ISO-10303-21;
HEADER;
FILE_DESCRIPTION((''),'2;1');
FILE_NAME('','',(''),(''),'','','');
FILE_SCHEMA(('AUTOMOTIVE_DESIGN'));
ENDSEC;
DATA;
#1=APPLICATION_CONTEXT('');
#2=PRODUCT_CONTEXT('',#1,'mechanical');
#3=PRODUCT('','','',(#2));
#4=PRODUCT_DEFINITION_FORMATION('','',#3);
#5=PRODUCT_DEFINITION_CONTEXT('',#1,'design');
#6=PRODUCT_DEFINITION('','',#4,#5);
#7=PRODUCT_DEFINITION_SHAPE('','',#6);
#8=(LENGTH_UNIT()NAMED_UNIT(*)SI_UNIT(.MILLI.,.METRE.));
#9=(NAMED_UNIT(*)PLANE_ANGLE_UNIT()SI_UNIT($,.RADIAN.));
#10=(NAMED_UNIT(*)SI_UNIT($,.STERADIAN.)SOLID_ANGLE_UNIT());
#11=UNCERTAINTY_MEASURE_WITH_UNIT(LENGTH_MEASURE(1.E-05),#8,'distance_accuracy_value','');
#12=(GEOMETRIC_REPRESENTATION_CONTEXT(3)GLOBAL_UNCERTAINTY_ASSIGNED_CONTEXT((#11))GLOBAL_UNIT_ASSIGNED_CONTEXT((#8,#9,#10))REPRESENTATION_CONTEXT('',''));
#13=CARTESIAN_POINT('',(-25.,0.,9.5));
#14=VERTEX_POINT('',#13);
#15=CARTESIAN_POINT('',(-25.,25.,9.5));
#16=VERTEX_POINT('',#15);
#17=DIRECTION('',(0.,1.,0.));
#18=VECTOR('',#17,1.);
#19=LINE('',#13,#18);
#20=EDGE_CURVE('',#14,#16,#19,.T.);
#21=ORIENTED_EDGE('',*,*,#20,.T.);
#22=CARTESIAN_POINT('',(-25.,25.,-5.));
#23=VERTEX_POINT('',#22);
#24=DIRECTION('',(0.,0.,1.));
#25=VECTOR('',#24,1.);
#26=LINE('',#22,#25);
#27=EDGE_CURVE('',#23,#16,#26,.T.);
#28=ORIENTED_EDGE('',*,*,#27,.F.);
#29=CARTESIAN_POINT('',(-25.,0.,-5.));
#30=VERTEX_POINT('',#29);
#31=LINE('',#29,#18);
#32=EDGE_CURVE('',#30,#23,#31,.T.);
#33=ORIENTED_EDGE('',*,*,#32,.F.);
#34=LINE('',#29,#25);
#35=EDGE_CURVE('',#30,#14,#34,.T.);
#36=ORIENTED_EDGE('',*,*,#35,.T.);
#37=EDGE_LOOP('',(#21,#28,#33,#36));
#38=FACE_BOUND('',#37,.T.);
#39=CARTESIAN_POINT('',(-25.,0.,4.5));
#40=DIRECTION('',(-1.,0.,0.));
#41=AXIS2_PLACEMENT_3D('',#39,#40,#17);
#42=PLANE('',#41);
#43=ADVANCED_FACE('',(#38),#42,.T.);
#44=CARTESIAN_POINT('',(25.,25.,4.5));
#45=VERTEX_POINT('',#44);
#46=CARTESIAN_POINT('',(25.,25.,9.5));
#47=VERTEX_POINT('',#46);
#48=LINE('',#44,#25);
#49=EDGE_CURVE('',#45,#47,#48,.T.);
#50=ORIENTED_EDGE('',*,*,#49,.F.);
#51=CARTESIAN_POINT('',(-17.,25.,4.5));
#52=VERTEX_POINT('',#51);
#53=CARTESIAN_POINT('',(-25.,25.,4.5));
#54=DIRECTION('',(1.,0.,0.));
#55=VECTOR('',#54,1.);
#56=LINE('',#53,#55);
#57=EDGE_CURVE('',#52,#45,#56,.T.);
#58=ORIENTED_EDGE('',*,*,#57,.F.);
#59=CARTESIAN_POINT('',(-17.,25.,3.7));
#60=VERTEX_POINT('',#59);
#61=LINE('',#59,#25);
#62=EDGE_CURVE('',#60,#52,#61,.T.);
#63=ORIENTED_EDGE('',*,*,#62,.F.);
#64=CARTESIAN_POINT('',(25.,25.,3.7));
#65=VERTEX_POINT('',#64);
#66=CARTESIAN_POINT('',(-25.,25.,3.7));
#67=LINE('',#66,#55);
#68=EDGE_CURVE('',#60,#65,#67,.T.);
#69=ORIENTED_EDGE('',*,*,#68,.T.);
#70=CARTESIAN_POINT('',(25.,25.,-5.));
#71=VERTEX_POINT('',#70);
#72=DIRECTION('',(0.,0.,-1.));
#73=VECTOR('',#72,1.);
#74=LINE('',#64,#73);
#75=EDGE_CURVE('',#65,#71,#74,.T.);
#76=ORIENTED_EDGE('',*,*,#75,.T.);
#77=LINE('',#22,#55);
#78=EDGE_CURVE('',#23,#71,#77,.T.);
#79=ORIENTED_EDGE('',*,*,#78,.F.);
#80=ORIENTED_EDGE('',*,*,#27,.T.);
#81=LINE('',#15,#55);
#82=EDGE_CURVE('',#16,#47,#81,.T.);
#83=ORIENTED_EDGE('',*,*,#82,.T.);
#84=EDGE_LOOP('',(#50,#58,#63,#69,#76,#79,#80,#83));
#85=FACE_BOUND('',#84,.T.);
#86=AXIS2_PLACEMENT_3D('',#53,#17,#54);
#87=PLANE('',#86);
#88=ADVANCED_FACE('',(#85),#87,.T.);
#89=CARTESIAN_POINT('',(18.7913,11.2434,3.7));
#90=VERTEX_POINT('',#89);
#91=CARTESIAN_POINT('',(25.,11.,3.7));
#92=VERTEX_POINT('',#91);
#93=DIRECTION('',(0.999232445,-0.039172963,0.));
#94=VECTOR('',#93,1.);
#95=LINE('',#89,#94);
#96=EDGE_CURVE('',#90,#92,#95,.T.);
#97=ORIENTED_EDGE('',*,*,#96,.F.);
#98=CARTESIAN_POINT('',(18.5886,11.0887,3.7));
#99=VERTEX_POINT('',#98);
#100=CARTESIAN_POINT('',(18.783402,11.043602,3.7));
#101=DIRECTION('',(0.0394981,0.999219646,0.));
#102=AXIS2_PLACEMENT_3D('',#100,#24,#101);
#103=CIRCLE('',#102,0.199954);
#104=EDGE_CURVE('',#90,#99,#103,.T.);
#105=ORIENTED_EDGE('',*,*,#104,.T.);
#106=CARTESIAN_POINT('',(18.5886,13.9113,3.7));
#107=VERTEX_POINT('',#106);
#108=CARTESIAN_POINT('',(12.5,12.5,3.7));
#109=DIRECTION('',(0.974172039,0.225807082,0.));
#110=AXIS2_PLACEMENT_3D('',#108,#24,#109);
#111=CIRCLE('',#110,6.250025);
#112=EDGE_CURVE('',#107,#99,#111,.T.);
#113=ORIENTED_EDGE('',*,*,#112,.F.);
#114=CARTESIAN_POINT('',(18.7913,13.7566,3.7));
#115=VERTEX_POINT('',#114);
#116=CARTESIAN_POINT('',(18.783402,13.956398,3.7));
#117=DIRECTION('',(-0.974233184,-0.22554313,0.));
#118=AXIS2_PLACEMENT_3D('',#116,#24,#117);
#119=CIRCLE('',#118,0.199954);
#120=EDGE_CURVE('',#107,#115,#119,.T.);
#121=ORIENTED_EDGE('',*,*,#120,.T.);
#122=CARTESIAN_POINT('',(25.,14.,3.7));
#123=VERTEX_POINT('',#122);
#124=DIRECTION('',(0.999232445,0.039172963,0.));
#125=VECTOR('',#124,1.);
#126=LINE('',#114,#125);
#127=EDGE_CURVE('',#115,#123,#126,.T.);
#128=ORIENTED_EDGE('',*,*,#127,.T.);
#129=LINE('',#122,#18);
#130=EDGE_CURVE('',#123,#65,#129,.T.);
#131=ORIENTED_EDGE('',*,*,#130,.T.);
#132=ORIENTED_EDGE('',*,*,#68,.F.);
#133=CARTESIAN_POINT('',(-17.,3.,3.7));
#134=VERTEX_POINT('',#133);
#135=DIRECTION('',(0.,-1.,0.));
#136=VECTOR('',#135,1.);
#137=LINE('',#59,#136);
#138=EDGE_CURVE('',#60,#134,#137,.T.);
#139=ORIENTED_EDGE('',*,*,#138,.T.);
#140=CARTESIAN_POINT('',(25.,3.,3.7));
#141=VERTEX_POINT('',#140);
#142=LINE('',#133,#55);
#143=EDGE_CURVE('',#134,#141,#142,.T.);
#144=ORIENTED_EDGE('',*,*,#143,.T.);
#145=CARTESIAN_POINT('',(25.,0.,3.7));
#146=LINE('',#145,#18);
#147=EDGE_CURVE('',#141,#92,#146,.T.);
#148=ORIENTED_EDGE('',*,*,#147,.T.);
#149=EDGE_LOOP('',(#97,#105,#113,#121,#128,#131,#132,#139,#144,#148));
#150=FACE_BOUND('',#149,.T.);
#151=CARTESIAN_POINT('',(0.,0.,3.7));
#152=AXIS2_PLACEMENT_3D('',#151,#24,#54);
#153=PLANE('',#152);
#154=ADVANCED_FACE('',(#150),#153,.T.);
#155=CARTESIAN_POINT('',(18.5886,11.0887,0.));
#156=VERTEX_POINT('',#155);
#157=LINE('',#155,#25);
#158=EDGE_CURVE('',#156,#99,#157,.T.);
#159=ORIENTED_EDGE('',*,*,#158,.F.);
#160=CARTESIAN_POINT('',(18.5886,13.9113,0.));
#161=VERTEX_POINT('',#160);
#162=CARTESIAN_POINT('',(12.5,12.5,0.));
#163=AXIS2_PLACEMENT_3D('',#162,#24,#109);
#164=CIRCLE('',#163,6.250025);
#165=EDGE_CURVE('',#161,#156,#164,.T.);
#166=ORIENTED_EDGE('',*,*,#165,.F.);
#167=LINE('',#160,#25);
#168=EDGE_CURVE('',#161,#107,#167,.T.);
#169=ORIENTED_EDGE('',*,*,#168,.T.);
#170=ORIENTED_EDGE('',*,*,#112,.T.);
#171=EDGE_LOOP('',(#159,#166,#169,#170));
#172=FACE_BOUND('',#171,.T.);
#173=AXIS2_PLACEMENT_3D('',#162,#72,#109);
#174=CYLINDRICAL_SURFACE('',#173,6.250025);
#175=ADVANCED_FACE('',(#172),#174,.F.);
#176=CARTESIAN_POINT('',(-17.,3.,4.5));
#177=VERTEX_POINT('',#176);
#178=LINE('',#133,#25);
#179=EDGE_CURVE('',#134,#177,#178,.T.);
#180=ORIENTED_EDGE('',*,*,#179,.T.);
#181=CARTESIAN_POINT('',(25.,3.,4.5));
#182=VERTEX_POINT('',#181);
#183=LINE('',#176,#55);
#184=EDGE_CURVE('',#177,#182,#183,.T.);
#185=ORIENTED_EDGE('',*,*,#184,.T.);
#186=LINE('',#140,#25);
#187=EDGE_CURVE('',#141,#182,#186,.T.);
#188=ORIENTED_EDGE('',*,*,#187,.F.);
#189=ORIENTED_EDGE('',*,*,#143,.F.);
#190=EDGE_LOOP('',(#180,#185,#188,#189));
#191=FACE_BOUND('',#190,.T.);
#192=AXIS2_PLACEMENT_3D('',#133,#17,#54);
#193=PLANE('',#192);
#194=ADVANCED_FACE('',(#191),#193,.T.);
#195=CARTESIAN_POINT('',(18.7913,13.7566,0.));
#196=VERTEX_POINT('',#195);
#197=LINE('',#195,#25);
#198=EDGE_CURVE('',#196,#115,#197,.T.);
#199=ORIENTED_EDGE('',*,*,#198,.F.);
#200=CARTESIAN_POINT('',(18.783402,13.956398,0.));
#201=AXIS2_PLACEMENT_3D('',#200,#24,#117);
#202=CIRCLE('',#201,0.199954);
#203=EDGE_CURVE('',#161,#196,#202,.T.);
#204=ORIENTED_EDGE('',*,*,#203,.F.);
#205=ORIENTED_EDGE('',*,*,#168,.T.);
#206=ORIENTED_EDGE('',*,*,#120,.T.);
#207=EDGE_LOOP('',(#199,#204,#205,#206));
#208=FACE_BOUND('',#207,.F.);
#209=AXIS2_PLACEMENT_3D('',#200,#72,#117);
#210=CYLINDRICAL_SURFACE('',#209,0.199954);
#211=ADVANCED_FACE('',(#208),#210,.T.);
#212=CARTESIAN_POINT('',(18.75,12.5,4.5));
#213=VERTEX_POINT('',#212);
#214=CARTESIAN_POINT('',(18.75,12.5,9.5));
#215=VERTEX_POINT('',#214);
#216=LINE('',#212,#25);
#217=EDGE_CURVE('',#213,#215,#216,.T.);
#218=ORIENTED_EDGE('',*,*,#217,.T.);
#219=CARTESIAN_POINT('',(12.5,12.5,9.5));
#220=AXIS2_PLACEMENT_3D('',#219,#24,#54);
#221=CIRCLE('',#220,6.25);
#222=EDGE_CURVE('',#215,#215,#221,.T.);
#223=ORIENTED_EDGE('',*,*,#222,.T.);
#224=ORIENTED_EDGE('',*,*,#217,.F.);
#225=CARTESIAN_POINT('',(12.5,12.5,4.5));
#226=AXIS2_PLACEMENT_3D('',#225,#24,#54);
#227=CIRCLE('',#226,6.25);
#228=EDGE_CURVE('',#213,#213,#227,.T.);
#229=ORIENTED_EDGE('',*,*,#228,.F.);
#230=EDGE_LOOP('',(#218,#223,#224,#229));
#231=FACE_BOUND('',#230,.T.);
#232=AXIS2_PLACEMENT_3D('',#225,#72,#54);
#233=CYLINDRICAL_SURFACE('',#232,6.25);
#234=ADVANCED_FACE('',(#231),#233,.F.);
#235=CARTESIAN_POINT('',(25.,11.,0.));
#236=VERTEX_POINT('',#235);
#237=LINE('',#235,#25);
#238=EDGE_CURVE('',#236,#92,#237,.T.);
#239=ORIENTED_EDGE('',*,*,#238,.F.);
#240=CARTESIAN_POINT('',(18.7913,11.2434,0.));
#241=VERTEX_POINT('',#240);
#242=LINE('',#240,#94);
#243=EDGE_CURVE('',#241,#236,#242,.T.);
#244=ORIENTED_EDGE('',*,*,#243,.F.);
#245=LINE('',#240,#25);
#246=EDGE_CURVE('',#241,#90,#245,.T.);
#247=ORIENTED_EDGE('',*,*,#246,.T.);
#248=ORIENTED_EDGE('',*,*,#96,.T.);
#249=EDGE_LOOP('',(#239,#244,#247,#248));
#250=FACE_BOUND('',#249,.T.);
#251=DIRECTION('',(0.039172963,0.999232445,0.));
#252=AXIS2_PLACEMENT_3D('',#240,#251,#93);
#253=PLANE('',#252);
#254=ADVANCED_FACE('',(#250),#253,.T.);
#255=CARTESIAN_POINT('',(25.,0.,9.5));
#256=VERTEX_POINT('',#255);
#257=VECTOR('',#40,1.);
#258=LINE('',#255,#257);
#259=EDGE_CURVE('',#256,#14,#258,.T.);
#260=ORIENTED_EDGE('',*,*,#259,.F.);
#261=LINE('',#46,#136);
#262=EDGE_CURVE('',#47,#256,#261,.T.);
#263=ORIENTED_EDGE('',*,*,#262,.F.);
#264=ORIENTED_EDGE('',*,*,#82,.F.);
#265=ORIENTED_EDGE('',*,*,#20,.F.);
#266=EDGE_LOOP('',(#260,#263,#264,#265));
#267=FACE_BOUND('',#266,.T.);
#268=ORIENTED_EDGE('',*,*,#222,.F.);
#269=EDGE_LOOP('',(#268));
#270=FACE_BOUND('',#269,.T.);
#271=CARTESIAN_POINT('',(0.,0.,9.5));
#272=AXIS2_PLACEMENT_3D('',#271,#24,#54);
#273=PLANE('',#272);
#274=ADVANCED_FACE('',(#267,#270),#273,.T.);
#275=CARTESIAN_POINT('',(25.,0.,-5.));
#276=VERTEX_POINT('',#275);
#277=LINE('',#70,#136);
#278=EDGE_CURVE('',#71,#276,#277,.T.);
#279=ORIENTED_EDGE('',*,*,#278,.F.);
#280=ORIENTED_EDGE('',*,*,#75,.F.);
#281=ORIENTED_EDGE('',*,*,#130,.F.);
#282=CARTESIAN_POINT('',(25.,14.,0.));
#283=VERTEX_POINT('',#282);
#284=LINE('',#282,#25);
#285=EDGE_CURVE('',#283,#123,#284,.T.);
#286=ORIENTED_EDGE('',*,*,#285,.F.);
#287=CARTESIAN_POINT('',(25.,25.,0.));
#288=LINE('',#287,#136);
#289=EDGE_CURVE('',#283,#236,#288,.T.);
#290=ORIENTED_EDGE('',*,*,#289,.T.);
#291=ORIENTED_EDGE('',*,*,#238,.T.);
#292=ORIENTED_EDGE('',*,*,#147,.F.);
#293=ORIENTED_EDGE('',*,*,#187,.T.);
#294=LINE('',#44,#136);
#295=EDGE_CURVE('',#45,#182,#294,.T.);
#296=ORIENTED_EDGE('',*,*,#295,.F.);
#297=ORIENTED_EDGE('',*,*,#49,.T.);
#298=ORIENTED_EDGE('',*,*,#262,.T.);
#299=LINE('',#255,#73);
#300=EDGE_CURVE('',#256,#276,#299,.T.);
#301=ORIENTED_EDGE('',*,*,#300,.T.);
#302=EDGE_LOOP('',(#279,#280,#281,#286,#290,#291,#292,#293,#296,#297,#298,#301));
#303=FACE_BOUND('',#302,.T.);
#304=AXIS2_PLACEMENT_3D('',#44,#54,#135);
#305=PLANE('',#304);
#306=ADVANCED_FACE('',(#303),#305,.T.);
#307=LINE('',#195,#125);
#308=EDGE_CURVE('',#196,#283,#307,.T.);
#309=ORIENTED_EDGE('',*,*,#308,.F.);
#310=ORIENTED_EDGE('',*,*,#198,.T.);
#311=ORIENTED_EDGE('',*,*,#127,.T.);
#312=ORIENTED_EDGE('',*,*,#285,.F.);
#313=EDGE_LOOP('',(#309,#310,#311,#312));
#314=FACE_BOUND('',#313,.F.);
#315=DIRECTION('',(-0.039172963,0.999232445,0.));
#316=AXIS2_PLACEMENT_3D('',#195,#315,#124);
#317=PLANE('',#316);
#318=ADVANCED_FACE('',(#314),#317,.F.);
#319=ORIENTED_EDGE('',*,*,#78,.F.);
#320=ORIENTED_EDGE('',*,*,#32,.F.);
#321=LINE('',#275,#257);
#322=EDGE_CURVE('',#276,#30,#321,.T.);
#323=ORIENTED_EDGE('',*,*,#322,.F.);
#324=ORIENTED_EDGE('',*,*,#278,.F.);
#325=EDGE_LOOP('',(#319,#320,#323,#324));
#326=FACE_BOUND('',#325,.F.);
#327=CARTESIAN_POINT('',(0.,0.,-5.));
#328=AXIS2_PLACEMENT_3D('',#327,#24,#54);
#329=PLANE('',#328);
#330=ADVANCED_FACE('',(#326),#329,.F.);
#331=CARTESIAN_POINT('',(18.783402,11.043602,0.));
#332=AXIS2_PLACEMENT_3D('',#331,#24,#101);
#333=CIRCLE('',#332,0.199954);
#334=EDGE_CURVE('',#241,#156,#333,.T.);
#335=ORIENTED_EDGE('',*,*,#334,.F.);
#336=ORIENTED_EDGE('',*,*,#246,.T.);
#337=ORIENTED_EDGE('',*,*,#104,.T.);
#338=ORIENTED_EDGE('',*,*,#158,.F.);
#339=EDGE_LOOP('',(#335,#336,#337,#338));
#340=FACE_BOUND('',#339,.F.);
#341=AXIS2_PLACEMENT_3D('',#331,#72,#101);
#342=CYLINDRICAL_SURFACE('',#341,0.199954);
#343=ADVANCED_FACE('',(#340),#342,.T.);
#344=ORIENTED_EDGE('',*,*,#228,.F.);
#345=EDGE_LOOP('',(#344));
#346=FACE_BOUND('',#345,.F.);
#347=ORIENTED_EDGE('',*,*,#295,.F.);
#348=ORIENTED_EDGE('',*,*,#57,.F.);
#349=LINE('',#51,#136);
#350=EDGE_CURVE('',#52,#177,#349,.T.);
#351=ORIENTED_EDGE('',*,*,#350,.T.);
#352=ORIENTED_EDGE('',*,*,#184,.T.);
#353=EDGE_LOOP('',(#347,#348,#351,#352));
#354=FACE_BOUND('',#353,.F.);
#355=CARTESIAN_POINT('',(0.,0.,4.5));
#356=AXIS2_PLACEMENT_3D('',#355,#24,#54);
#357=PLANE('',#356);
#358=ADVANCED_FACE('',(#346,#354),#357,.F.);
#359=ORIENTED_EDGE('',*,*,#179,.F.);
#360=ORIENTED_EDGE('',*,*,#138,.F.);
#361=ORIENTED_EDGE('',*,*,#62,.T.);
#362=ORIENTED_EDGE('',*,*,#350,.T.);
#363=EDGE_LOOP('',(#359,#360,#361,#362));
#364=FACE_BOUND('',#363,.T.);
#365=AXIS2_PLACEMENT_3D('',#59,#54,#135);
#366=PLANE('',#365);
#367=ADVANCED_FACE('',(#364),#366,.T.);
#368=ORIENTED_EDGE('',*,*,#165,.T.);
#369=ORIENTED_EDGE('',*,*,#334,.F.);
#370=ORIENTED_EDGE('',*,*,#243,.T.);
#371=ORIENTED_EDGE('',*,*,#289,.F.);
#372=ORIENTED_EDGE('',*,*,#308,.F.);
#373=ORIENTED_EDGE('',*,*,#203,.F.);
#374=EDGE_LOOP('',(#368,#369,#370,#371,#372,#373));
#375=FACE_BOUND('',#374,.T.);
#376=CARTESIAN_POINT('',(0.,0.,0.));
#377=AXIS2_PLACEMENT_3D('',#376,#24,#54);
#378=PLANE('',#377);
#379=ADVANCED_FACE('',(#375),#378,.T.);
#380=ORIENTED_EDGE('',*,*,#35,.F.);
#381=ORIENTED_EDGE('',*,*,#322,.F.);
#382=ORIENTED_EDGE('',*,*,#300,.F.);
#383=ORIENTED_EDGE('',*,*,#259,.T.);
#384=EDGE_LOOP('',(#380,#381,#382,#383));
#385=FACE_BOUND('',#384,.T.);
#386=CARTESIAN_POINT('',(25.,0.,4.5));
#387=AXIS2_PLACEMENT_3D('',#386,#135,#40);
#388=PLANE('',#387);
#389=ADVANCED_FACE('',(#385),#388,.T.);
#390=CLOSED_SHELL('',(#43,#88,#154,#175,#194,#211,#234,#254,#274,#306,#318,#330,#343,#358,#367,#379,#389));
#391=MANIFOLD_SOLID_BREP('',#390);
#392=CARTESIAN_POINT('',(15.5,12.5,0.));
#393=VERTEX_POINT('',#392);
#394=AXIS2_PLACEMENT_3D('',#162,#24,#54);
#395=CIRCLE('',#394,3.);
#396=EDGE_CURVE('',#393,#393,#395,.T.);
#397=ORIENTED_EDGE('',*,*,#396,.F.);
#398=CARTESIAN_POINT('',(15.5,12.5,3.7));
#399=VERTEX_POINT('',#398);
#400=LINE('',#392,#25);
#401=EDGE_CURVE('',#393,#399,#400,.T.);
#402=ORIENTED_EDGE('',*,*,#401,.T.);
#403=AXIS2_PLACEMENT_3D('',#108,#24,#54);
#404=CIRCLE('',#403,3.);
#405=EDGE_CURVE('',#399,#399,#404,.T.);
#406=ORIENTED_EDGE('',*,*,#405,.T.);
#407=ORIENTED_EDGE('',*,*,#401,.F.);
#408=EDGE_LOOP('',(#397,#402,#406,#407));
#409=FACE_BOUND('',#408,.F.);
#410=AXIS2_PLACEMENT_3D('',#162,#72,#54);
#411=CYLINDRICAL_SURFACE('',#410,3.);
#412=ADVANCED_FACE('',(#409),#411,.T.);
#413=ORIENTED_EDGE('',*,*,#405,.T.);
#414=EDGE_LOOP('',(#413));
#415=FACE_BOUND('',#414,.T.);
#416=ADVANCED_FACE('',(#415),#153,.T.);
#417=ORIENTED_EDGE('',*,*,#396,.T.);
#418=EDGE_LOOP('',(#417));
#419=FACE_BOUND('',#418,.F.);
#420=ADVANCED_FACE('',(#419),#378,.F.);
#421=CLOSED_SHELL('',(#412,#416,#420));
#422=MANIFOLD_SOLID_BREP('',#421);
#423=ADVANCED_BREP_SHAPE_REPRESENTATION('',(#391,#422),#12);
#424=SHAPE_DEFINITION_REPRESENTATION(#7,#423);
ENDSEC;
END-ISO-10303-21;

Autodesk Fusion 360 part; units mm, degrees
sketch "スケッチ1" plane through (0, 0, 0) normal (0, 0, 1) x (1, 0, 0)
  circle A0 centre (12.5, 12.5) radius 3
  line L0 (18.7913, 13.7566) -> (25, 14)
  line L1 (12.5, 12.5) -> (14, 12.5)
  line L2 (18.7913, 11.2434) -> (25, 11)
  arc A1 (18.5886, 13.9113) -> (18.5886, 11.0887) centre (12.5, 12.5) ccw
  line L3 (25, 0) -> (25, 11)
  line L4 (25, 14) -> (25, 25)
  arc A2 (18.5886, 13.9113) -> (18.7913, 13.7566) centre (18.7834, 13.9564) ccw
  arc A3 (18.7913, 11.2434) -> (18.5886, 11.0887) centre (18.7834, 11.0436) ccw
  line L5 (25, 0) -> (-25, 0)
  line L6 (-25, 0) -> (-25, 25)
  line L7 (-25, 25) -> (25, 25)
  point P0 (18.6237, 13.75)
  point P1 (18.6237, 11.25)
  point P2 (25, 12.5)
  dimension "d3" = 12.5
  dimension "d4" = 6
  dimension "d5" = 2.5
  dimension "d6" = 1.5
  dimension "d7" = 0.2
  dimension "d8" = 0.2
extrude "押し出し1" add sketch "スケッチ1" along normal blind 4 makes body 1 at (-14.5775, 12.6555, 0) makes body 2 at (15.4963, 12.3505, 2.6667)
sketch "スケッチ2" plane through (0, 0, 0) normal (0, 0, 1) x (1, 0, 0)
  line L0 (-25, 25) -> (25, 25)
  line L1 (25, 25) -> (25, 0)
  line L2 (25, 0) -> (-25, 0)
  line L3 (-25, 0) -> (-25, 25)
extrude "押し出し2" add sketch "スケッチ2" against normal blind 5 separate body makes body 3
sketch "スケッチ3" plane through (0, 0, 0) normal (0, 0, 1) x (1, 0, 0)
  line L0 (-25, 25) -> (-17, 25)
  line L1 (-17, 25) -> (-17, 3)
  line L2 (-17, 0) -> (-25, 0)
  line L3 (-25, 0) -> (-25, 25)
  line L4 (-17, 3) -> (25, 3)
  line L5 (25, 3) -> (25, 0)
  line L6 (25, 0) -> (-17, 0)
extrude "押し出し3" add sketch "スケッチ3" along normal blind 1 separate body makes body 4
move_body "移動1" bodies 4 to x (1, 0, 0) y (0, 1, 0) z (0, 0, 1) at (0, 0, 4)
sketch "スケッチ4" plane through (0, 0, 0) normal (0, 0, 1) x (1, 0, 0)
  line L0 (-25, 25) -> (25, 25)
  line L1 (25, 25) -> (25, 0)
  line L2 (25, 0) -> (-25, 0)
  line L3 (-25, 0) -> (-25, 25)
  circle A0 centre (12.5, 12.5) radius 6.25
  dimension "d15" = 12.5
extrude "押し出し4" add sketch "スケッチ4" along normal blind 5 separate body makes body 5
move_body "移動2" bodies 5 to x (1, 0, 0) y (0, 1, 0) z (0, 0, 1) at (0, 0, 5)
extrude "押し出し5" cut 1 faces at (-22.3333, 9.3333, 5) along direction (0, 0, -1) blind 0.2 on bodies 4 bodies 4
extrude "押し出し6" cut 2 faces at (-14.5775, 12.6555, 4) (11.4364, 13.3482, 4) along direction (0, 0, -1) blind 0.3 on bodies 1 2 bodies 1 2
move_body "移動3" bodies 4 to x (1, 0, 0) y (0, 1, 0) z (0, 0, 1) at (0, 0, -0.3)
move_body "移動4" bodies 5 to x (1, 0, 0) y (0, 1, 0) z (0, 0, 1) at (0, 0, -0.5)
combine "結合1" operation add target body 3 tool bodies 1
combine "結合2" operation add target body 3 tool bodies 4
combine "結合3" operation add target body 3 tool bodies 5
